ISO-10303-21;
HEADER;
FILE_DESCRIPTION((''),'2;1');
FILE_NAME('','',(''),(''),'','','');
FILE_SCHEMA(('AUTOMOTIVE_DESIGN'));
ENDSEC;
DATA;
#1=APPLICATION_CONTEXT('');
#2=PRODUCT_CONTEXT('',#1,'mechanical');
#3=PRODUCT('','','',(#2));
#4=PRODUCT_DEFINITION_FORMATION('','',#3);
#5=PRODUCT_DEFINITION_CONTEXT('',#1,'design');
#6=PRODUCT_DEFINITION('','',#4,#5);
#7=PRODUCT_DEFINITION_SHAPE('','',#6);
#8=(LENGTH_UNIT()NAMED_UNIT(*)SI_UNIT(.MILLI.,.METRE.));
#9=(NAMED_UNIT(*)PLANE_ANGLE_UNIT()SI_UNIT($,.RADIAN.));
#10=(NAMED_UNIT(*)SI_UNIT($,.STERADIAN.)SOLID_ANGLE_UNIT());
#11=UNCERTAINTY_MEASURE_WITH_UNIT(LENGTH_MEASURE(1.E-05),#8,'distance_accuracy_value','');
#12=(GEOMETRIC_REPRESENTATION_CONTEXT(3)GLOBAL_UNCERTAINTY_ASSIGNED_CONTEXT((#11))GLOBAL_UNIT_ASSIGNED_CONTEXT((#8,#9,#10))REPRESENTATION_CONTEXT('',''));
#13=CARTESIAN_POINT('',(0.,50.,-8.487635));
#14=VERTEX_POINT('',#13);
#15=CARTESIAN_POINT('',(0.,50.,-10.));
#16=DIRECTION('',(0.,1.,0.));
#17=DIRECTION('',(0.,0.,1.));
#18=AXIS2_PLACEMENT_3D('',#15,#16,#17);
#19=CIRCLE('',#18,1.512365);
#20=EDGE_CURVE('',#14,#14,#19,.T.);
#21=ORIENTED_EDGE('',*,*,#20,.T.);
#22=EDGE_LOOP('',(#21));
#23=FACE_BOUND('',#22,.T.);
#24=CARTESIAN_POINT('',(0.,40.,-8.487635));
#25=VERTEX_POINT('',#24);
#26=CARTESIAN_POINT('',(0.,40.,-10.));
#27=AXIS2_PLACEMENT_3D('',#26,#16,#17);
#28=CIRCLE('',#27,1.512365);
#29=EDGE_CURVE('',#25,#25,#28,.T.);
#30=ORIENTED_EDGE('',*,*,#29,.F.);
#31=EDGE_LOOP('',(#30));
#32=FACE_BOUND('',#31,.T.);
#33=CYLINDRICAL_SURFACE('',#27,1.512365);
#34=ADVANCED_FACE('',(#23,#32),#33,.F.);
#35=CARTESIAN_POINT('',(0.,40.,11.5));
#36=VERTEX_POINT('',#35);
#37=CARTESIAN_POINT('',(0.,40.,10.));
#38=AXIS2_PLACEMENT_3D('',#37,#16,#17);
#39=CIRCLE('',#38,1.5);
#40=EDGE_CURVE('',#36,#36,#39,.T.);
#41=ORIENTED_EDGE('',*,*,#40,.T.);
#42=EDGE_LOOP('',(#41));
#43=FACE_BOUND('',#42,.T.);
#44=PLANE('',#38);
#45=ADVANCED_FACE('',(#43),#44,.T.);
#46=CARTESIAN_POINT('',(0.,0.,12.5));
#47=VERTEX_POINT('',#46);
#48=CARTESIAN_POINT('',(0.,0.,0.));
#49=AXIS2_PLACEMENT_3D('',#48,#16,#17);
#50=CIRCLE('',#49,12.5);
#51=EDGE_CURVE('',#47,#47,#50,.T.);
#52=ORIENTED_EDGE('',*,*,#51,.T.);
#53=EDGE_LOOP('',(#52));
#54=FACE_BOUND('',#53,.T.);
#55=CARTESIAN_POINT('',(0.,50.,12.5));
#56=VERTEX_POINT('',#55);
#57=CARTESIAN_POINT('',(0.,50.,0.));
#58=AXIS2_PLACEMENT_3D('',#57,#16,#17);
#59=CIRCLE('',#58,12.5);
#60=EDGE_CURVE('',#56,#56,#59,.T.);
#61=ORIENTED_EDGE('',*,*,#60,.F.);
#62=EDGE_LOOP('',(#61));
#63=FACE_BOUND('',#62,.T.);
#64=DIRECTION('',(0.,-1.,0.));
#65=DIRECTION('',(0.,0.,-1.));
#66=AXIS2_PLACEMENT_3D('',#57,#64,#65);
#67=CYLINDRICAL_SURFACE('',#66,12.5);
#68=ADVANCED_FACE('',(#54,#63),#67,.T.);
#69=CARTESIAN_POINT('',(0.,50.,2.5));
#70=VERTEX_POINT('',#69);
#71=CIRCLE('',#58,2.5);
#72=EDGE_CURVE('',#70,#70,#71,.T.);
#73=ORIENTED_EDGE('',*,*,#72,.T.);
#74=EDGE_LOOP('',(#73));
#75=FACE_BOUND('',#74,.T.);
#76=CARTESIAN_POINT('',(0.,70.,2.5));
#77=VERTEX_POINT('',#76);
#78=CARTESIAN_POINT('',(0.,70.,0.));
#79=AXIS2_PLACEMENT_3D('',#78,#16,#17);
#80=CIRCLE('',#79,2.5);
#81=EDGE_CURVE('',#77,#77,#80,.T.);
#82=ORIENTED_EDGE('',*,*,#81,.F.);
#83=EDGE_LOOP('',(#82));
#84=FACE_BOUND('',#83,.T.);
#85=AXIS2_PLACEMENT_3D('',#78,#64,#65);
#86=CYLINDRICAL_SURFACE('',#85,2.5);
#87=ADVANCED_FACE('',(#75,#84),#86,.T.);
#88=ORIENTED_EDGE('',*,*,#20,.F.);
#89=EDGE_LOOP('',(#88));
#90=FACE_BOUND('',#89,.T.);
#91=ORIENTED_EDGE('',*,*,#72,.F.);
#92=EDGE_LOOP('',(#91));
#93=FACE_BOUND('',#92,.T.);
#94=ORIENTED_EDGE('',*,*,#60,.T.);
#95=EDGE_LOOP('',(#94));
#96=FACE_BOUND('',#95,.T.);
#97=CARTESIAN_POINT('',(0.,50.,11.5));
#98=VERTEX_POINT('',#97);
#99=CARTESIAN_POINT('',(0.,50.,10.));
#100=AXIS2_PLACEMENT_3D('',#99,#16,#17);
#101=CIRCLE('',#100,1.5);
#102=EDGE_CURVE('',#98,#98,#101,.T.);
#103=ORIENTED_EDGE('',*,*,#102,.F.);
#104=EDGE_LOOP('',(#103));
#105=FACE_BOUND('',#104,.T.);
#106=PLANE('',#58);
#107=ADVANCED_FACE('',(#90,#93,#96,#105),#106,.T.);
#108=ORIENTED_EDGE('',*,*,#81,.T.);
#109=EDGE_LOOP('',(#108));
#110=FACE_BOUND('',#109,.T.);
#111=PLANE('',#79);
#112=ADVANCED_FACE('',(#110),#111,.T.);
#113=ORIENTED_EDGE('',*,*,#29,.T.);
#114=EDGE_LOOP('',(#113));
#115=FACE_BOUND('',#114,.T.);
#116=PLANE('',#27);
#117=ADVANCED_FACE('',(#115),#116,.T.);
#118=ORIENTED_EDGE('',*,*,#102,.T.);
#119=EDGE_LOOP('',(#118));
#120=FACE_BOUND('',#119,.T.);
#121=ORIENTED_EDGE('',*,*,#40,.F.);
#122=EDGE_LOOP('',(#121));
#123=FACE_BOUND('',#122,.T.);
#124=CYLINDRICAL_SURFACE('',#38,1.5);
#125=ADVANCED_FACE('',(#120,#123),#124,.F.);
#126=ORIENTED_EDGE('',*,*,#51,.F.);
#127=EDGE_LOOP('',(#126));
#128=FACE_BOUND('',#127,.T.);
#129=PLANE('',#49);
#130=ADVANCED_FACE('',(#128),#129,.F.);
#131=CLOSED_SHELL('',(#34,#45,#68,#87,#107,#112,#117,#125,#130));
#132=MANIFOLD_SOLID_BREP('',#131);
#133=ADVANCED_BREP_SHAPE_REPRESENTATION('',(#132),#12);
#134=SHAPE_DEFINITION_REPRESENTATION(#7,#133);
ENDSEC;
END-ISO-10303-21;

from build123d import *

# Parameters (mm, degrees)
SKETCH_1_R          = 12.5
EXTRUDE_1_DEPTH     = 50
SKETCH_2_R          = 1.5
SKETCH_2_R_2        = 1.512365131
CUT_EXTRUDE_1_DEPTH = 10
SKETCH_3_R          = 2.5
EXTRUDE_2_DEPTH     = 20


with BuildPart() as part:
    # 草图1 → 凸台-拉伸1 (new body)
    with BuildSketch(Plane(origin=(0, 0, 0), x_dir=(1, 0, 0), z_dir=(0, 1, 0))):
        Circle(SKETCH_1_R)
    extrude(amount=EXTRUDE_1_DEPTH)

    # 草图2 → 切除-拉伸1 (cut)
    with BuildSketch(Plane(origin=(0, 50, 0), x_dir=(1, 0, 0), z_dir=(0, 1, 0))):
        with Locations((0, -10)):
            Circle(SKETCH_2_R)
        with Locations((0, 10)):
            Circle(SKETCH_2_R_2)
    extrude(amount=-CUT_EXTRUDE_1_DEPTH, mode=Mode.SUBTRACT)

    # 草图3 → 凸台-拉伸2 (add)
    with BuildSketch(Plane(origin=(0, 50, 0), x_dir=(1, 0, 0), z_dir=(0, 1, 0))):
        Circle(SKETCH_3_R)
    extrude(amount=EXTRUDE_2_DEPTH)


solid = part.part
